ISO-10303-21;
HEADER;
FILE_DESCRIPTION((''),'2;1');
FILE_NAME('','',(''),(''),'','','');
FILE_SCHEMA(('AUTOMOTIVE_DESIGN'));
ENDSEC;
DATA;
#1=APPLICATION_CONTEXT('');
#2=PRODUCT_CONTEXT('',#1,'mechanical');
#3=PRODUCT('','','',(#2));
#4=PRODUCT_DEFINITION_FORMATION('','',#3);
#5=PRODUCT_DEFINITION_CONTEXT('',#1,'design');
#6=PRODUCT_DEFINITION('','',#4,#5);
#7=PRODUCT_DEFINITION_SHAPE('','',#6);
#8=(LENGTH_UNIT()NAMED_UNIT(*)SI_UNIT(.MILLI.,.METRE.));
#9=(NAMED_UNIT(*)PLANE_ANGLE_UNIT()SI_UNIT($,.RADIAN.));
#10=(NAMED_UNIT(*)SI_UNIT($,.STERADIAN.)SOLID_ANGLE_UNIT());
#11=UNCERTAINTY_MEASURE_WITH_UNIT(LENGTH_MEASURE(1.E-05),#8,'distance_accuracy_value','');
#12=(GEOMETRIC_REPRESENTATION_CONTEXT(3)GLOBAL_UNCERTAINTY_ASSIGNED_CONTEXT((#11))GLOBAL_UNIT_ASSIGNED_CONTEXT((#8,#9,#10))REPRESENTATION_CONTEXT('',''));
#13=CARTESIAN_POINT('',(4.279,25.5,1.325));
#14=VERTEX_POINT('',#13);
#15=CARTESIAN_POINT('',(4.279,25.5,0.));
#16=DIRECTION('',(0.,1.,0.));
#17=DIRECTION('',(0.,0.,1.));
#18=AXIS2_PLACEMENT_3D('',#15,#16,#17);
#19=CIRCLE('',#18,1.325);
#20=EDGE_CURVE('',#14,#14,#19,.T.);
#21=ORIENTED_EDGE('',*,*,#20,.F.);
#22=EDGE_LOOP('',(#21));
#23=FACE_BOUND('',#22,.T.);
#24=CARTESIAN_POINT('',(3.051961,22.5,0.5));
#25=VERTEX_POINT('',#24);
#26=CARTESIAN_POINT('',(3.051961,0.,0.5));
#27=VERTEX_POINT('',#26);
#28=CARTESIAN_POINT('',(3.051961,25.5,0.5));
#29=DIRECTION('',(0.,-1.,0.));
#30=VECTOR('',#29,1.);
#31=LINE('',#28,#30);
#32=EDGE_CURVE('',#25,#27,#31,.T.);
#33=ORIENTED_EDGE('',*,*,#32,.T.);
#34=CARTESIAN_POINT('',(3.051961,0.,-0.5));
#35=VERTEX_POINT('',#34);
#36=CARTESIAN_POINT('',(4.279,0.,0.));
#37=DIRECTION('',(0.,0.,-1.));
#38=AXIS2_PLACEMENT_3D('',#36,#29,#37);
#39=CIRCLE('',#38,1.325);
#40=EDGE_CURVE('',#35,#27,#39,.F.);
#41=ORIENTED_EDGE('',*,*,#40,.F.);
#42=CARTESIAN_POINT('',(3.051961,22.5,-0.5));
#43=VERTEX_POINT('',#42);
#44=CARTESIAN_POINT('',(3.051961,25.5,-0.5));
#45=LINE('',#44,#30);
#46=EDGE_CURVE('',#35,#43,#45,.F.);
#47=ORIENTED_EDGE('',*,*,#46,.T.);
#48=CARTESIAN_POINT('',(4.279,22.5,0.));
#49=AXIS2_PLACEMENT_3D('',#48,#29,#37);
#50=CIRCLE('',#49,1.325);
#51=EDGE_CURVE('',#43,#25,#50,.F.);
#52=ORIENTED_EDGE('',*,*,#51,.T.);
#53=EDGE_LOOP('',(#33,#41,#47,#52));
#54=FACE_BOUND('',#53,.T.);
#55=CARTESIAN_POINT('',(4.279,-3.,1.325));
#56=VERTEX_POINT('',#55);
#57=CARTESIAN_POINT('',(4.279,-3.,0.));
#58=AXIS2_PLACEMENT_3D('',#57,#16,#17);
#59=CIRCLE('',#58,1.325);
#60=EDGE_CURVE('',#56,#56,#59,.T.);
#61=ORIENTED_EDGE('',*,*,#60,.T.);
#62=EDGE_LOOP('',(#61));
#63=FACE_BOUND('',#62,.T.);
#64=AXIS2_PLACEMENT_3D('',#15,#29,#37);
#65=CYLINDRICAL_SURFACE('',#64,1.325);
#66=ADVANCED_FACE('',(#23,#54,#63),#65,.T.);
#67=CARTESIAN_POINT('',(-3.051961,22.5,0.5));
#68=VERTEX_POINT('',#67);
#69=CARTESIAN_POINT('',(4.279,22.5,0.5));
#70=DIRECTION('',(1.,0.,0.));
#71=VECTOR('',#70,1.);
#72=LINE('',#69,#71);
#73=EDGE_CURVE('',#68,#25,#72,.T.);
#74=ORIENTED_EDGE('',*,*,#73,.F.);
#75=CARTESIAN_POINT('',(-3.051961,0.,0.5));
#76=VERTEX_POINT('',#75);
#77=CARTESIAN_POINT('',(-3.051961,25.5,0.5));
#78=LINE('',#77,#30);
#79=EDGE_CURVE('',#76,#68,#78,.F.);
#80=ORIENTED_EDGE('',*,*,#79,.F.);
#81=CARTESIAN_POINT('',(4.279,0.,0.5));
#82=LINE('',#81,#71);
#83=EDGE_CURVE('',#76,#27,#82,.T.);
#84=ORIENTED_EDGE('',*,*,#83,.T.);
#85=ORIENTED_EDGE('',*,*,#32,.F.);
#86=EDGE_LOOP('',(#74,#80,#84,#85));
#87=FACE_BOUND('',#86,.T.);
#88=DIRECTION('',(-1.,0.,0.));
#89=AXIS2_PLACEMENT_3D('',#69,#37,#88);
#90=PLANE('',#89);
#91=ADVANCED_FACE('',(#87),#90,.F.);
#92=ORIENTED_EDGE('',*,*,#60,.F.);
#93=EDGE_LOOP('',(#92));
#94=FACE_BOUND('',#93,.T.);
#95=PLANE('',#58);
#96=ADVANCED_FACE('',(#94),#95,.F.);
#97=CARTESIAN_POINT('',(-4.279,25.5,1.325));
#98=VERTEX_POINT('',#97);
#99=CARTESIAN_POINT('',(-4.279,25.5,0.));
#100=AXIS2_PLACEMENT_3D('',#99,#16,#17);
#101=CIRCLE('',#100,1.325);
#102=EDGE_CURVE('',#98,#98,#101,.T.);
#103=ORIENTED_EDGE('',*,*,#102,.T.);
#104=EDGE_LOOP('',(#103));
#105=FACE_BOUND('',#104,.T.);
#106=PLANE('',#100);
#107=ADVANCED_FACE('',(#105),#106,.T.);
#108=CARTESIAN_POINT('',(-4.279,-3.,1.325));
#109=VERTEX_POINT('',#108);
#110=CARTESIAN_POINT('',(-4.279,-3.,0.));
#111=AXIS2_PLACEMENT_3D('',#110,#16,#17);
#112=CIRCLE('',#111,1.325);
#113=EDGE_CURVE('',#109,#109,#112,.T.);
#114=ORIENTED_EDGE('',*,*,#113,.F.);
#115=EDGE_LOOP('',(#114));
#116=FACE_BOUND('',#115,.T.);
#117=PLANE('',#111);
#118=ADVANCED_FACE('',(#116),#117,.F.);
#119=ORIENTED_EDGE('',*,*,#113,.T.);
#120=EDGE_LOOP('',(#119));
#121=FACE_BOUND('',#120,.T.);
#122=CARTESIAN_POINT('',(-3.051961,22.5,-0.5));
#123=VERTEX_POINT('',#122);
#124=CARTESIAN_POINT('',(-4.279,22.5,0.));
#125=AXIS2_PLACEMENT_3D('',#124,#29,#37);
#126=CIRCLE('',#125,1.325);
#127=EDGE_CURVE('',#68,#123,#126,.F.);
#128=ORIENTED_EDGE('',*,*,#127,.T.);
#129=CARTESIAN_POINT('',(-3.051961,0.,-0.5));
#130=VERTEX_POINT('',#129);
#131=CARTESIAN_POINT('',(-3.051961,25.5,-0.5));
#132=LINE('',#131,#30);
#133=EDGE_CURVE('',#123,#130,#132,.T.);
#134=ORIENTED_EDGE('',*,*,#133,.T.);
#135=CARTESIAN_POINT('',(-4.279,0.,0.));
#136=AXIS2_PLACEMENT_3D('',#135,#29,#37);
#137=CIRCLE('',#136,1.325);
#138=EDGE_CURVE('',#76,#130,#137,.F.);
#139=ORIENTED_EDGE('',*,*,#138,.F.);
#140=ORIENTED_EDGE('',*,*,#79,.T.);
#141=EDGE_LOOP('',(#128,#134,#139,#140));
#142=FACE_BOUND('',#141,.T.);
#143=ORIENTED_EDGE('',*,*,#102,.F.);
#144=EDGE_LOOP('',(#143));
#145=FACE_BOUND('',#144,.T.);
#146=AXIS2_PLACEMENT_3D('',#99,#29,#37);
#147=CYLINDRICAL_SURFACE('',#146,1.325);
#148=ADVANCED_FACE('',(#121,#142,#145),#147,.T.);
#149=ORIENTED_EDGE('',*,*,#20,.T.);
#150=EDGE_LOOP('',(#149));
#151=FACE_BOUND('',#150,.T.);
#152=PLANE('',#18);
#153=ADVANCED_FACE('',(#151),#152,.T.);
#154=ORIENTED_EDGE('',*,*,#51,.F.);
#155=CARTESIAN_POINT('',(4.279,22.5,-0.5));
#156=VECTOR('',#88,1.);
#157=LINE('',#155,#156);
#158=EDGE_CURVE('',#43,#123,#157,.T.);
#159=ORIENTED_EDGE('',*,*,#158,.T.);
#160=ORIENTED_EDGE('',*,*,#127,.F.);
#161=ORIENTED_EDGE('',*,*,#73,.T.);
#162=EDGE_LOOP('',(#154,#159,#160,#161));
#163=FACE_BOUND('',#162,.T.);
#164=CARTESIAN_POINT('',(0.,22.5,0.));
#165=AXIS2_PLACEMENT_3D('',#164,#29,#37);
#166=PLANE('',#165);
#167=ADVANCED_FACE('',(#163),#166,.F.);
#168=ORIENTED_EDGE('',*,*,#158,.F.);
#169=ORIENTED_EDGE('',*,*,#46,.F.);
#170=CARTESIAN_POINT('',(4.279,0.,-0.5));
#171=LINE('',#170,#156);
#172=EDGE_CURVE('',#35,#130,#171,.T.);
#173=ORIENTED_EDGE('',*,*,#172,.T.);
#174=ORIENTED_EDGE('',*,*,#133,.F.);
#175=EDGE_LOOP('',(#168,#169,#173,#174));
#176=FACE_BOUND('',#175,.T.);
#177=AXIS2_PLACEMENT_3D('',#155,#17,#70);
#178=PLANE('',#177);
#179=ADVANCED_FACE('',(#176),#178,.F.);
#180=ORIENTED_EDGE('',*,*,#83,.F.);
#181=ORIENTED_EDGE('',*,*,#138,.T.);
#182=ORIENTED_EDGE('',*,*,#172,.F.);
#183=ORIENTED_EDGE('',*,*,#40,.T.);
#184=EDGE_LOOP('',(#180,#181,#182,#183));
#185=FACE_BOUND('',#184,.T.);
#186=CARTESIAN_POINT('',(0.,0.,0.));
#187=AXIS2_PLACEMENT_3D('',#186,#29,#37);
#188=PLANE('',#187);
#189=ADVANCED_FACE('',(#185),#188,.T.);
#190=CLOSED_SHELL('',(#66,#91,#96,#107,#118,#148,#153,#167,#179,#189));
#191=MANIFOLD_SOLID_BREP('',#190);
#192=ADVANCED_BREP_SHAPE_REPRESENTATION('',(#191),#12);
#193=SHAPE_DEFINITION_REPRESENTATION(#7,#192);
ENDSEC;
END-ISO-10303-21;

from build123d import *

# Parameters (mm, degrees)
SKETCH1_W           = 8.558
SKETCH1_H           = 1
BOSS_EXTRUDE1_DEPTH = 22.5
SKETCH2_R           = 1.325
BOSS_EXTRUDE2_DEPTH = 14.25


with BuildPart() as part:
    # Sketch1 → Boss-Extrude1 (new body)
    with BuildSketch(Plane(origin=(0, 0, 0), x_dir=(1, 0, 0), z_dir=(0, 1, 0))):
        Rectangle(SKETCH1_W, SKETCH1_H)
    extrude(amount=BOSS_EXTRUDE1_DEPTH)

    # Sketch2 → Boss-Extrude2 (add, symmetric)
    with BuildSketch(Plane(origin=(0, 11.25, 0), x_dir=(1, 0, 0), z_dir=(0, 1, 0))):
        with Locations(Location((-4.279, 0, 0), (0, 0, 270))):
            Circle(SKETCH2_R)
        with Locations(Location((4.279, 0, 0), (0, 0, 270))):
            Circle(SKETCH2_R)
    extrude(amount=BOSS_EXTRUDE2_DEPTH, both=True)


solid = part.part
